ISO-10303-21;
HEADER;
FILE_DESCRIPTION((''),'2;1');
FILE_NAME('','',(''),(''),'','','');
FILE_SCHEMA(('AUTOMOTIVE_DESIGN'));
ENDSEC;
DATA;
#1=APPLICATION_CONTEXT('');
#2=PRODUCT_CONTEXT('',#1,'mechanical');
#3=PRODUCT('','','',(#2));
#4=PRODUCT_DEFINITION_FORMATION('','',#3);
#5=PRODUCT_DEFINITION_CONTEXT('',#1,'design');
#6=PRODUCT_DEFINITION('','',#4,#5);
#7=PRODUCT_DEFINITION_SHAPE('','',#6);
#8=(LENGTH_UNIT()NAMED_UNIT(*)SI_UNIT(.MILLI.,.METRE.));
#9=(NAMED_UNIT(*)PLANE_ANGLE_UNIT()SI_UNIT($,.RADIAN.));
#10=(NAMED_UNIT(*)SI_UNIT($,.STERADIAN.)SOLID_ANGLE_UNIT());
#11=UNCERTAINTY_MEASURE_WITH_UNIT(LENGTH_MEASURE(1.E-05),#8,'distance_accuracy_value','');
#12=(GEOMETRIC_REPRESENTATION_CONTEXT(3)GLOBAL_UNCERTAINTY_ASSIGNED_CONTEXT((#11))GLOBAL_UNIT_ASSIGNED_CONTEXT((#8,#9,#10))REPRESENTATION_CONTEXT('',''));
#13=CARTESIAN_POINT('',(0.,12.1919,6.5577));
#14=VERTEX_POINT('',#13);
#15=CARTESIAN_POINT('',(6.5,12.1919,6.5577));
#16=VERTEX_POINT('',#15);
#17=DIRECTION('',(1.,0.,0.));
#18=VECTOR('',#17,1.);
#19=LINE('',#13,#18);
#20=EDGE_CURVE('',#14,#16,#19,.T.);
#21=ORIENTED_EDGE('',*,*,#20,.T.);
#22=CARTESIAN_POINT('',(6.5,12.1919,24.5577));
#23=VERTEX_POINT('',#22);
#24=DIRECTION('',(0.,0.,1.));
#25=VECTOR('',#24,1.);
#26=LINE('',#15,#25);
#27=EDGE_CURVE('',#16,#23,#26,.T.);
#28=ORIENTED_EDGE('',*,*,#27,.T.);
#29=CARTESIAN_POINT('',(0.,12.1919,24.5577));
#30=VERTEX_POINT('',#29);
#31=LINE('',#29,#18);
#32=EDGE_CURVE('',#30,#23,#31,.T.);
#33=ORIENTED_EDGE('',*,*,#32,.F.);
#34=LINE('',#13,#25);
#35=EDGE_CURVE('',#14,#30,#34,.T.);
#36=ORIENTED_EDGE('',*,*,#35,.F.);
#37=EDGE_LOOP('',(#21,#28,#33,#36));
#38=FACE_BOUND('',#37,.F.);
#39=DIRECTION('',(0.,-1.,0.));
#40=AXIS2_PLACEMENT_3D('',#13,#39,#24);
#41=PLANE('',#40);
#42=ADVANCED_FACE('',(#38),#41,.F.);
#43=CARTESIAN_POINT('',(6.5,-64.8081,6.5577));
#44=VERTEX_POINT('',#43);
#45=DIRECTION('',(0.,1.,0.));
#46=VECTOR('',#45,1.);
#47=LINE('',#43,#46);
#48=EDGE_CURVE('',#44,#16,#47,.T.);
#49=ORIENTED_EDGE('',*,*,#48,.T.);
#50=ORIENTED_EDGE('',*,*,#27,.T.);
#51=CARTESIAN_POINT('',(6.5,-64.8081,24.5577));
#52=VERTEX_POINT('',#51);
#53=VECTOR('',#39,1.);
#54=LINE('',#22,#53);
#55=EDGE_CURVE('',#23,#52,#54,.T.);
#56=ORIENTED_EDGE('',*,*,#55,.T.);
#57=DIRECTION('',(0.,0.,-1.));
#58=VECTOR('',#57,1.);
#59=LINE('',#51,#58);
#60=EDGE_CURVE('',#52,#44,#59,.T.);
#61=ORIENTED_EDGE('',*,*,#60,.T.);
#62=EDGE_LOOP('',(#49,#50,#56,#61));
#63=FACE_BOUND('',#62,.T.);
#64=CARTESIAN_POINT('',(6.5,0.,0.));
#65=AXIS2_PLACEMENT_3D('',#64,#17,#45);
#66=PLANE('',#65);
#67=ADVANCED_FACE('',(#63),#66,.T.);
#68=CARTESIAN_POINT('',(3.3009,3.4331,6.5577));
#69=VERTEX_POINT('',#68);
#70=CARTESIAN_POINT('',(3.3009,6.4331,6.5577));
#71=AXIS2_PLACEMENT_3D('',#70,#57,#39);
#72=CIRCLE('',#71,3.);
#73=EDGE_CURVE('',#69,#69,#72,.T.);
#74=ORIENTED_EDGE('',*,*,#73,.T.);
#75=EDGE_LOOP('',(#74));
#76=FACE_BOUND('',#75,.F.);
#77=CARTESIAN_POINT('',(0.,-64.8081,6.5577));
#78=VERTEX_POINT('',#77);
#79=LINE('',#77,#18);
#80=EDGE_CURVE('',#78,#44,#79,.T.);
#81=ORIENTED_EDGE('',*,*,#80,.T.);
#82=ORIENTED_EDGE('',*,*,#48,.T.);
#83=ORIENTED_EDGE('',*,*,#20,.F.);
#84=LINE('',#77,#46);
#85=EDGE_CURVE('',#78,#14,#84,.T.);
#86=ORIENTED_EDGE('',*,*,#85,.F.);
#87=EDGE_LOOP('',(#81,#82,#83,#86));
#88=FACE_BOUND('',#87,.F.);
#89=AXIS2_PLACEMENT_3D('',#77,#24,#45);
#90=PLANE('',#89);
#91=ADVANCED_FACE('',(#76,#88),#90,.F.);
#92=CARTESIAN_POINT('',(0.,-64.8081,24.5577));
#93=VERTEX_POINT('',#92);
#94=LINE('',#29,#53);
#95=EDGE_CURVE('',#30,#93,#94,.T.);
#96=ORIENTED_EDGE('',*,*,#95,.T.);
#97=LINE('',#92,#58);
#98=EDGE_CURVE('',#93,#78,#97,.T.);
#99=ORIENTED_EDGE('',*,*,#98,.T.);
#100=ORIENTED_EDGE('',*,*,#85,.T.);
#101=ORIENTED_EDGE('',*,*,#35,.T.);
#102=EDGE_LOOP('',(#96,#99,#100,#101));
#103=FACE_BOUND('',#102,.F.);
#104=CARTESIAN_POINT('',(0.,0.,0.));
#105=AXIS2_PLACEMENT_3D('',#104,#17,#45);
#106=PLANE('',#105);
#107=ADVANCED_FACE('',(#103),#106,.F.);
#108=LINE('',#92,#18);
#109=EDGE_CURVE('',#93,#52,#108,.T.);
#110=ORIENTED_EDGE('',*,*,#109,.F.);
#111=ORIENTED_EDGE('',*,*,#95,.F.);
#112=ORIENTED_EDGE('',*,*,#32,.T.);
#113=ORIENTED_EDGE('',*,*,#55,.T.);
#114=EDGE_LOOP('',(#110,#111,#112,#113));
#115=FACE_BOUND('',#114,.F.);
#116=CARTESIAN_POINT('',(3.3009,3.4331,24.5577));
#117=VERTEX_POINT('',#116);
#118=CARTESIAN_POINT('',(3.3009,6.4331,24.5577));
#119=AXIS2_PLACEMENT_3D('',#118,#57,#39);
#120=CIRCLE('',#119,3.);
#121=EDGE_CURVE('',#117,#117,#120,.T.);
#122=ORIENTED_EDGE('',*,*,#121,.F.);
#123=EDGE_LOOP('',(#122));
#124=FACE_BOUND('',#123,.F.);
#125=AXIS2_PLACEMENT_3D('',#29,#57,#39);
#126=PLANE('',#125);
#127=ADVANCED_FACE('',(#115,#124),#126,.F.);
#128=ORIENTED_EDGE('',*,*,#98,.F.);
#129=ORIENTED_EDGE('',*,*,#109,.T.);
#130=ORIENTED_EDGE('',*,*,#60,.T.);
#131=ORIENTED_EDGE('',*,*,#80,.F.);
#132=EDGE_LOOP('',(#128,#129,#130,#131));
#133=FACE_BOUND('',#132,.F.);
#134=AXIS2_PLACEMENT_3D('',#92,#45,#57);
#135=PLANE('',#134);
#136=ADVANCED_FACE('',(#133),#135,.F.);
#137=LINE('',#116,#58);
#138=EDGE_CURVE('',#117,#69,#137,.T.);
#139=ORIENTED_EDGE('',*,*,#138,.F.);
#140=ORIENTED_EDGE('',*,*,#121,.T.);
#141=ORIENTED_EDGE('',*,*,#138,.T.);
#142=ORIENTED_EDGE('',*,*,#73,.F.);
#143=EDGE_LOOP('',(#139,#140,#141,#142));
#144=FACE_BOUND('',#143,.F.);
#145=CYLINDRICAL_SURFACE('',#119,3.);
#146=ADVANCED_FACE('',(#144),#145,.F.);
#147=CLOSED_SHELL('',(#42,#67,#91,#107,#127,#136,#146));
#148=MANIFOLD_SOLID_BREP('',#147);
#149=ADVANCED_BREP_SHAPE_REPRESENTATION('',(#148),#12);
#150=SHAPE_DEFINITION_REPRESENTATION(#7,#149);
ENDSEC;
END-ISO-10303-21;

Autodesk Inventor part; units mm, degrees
ref_plane "YZ Plane" through (0, 0, 0) normal (1, 0, 0) x (0, 1, 0)
ref_plane "XZ Plane" through (0, 0, 0) normal (0, 1, 0) x (-1, 0, 0)
ref_plane "XY Plane" through (0, 0, 0) normal (0, 0, 1) x (1, 0, 0)
sketch "Sketch1" plane through (0, 0, 0) normal (1, 0, 0) x (0, 1, 0)
  line L0 (12.1919, 24.5577) -> (-64.8081, 24.5577)
  line L1 (-64.8081, 24.5577) -> (-64.8081, 6.5577)
  line L2 (-64.8081, 6.5577) -> (12.1919, 6.5577)
  line L3 (12.1919, 6.5577) -> (12.1919, 24.5577)
  point P0 (0, 0)
  dimension "d0" = 77
  dimension "d1" = 18
extrude "Plate1" add sketch "Sketch1" along normal blind 6.5
sketch "Sketch2" plane through (0, -64.8081, 24.5577) normal (0, 0, 1) x (1, 0, 0)
  point P0 (0, 64.8081)
  point P1 (3.3009, 71.2411)
hole "Hole1" at (3.3009, 6.4331, 24.5577) direction (0, 0, -1) diameter 6 end through all
equation "\"d8\" = Thickness"
equation "\"d2\" = Thickness"
equation "\"BendRadius\" = Thickness"
equation "\"BendReliefWidth\" = Thickness"
equation "\"BendReliefDepth\" = 0.5 * Thickness"
equation "\"CornerReliefSize\" = 4 * Thickness"
equation "\"MinimumRemnant\" = 2 * Thickness"
equation "\"TransitionRadius\" = BendRadius"
equation "\"JacobiRadiusSize\" = BendRadius"
equation "\"GapSize\" = Thickness"
equation "\"Thickness\" = 6.5"
properties part number "blde"
